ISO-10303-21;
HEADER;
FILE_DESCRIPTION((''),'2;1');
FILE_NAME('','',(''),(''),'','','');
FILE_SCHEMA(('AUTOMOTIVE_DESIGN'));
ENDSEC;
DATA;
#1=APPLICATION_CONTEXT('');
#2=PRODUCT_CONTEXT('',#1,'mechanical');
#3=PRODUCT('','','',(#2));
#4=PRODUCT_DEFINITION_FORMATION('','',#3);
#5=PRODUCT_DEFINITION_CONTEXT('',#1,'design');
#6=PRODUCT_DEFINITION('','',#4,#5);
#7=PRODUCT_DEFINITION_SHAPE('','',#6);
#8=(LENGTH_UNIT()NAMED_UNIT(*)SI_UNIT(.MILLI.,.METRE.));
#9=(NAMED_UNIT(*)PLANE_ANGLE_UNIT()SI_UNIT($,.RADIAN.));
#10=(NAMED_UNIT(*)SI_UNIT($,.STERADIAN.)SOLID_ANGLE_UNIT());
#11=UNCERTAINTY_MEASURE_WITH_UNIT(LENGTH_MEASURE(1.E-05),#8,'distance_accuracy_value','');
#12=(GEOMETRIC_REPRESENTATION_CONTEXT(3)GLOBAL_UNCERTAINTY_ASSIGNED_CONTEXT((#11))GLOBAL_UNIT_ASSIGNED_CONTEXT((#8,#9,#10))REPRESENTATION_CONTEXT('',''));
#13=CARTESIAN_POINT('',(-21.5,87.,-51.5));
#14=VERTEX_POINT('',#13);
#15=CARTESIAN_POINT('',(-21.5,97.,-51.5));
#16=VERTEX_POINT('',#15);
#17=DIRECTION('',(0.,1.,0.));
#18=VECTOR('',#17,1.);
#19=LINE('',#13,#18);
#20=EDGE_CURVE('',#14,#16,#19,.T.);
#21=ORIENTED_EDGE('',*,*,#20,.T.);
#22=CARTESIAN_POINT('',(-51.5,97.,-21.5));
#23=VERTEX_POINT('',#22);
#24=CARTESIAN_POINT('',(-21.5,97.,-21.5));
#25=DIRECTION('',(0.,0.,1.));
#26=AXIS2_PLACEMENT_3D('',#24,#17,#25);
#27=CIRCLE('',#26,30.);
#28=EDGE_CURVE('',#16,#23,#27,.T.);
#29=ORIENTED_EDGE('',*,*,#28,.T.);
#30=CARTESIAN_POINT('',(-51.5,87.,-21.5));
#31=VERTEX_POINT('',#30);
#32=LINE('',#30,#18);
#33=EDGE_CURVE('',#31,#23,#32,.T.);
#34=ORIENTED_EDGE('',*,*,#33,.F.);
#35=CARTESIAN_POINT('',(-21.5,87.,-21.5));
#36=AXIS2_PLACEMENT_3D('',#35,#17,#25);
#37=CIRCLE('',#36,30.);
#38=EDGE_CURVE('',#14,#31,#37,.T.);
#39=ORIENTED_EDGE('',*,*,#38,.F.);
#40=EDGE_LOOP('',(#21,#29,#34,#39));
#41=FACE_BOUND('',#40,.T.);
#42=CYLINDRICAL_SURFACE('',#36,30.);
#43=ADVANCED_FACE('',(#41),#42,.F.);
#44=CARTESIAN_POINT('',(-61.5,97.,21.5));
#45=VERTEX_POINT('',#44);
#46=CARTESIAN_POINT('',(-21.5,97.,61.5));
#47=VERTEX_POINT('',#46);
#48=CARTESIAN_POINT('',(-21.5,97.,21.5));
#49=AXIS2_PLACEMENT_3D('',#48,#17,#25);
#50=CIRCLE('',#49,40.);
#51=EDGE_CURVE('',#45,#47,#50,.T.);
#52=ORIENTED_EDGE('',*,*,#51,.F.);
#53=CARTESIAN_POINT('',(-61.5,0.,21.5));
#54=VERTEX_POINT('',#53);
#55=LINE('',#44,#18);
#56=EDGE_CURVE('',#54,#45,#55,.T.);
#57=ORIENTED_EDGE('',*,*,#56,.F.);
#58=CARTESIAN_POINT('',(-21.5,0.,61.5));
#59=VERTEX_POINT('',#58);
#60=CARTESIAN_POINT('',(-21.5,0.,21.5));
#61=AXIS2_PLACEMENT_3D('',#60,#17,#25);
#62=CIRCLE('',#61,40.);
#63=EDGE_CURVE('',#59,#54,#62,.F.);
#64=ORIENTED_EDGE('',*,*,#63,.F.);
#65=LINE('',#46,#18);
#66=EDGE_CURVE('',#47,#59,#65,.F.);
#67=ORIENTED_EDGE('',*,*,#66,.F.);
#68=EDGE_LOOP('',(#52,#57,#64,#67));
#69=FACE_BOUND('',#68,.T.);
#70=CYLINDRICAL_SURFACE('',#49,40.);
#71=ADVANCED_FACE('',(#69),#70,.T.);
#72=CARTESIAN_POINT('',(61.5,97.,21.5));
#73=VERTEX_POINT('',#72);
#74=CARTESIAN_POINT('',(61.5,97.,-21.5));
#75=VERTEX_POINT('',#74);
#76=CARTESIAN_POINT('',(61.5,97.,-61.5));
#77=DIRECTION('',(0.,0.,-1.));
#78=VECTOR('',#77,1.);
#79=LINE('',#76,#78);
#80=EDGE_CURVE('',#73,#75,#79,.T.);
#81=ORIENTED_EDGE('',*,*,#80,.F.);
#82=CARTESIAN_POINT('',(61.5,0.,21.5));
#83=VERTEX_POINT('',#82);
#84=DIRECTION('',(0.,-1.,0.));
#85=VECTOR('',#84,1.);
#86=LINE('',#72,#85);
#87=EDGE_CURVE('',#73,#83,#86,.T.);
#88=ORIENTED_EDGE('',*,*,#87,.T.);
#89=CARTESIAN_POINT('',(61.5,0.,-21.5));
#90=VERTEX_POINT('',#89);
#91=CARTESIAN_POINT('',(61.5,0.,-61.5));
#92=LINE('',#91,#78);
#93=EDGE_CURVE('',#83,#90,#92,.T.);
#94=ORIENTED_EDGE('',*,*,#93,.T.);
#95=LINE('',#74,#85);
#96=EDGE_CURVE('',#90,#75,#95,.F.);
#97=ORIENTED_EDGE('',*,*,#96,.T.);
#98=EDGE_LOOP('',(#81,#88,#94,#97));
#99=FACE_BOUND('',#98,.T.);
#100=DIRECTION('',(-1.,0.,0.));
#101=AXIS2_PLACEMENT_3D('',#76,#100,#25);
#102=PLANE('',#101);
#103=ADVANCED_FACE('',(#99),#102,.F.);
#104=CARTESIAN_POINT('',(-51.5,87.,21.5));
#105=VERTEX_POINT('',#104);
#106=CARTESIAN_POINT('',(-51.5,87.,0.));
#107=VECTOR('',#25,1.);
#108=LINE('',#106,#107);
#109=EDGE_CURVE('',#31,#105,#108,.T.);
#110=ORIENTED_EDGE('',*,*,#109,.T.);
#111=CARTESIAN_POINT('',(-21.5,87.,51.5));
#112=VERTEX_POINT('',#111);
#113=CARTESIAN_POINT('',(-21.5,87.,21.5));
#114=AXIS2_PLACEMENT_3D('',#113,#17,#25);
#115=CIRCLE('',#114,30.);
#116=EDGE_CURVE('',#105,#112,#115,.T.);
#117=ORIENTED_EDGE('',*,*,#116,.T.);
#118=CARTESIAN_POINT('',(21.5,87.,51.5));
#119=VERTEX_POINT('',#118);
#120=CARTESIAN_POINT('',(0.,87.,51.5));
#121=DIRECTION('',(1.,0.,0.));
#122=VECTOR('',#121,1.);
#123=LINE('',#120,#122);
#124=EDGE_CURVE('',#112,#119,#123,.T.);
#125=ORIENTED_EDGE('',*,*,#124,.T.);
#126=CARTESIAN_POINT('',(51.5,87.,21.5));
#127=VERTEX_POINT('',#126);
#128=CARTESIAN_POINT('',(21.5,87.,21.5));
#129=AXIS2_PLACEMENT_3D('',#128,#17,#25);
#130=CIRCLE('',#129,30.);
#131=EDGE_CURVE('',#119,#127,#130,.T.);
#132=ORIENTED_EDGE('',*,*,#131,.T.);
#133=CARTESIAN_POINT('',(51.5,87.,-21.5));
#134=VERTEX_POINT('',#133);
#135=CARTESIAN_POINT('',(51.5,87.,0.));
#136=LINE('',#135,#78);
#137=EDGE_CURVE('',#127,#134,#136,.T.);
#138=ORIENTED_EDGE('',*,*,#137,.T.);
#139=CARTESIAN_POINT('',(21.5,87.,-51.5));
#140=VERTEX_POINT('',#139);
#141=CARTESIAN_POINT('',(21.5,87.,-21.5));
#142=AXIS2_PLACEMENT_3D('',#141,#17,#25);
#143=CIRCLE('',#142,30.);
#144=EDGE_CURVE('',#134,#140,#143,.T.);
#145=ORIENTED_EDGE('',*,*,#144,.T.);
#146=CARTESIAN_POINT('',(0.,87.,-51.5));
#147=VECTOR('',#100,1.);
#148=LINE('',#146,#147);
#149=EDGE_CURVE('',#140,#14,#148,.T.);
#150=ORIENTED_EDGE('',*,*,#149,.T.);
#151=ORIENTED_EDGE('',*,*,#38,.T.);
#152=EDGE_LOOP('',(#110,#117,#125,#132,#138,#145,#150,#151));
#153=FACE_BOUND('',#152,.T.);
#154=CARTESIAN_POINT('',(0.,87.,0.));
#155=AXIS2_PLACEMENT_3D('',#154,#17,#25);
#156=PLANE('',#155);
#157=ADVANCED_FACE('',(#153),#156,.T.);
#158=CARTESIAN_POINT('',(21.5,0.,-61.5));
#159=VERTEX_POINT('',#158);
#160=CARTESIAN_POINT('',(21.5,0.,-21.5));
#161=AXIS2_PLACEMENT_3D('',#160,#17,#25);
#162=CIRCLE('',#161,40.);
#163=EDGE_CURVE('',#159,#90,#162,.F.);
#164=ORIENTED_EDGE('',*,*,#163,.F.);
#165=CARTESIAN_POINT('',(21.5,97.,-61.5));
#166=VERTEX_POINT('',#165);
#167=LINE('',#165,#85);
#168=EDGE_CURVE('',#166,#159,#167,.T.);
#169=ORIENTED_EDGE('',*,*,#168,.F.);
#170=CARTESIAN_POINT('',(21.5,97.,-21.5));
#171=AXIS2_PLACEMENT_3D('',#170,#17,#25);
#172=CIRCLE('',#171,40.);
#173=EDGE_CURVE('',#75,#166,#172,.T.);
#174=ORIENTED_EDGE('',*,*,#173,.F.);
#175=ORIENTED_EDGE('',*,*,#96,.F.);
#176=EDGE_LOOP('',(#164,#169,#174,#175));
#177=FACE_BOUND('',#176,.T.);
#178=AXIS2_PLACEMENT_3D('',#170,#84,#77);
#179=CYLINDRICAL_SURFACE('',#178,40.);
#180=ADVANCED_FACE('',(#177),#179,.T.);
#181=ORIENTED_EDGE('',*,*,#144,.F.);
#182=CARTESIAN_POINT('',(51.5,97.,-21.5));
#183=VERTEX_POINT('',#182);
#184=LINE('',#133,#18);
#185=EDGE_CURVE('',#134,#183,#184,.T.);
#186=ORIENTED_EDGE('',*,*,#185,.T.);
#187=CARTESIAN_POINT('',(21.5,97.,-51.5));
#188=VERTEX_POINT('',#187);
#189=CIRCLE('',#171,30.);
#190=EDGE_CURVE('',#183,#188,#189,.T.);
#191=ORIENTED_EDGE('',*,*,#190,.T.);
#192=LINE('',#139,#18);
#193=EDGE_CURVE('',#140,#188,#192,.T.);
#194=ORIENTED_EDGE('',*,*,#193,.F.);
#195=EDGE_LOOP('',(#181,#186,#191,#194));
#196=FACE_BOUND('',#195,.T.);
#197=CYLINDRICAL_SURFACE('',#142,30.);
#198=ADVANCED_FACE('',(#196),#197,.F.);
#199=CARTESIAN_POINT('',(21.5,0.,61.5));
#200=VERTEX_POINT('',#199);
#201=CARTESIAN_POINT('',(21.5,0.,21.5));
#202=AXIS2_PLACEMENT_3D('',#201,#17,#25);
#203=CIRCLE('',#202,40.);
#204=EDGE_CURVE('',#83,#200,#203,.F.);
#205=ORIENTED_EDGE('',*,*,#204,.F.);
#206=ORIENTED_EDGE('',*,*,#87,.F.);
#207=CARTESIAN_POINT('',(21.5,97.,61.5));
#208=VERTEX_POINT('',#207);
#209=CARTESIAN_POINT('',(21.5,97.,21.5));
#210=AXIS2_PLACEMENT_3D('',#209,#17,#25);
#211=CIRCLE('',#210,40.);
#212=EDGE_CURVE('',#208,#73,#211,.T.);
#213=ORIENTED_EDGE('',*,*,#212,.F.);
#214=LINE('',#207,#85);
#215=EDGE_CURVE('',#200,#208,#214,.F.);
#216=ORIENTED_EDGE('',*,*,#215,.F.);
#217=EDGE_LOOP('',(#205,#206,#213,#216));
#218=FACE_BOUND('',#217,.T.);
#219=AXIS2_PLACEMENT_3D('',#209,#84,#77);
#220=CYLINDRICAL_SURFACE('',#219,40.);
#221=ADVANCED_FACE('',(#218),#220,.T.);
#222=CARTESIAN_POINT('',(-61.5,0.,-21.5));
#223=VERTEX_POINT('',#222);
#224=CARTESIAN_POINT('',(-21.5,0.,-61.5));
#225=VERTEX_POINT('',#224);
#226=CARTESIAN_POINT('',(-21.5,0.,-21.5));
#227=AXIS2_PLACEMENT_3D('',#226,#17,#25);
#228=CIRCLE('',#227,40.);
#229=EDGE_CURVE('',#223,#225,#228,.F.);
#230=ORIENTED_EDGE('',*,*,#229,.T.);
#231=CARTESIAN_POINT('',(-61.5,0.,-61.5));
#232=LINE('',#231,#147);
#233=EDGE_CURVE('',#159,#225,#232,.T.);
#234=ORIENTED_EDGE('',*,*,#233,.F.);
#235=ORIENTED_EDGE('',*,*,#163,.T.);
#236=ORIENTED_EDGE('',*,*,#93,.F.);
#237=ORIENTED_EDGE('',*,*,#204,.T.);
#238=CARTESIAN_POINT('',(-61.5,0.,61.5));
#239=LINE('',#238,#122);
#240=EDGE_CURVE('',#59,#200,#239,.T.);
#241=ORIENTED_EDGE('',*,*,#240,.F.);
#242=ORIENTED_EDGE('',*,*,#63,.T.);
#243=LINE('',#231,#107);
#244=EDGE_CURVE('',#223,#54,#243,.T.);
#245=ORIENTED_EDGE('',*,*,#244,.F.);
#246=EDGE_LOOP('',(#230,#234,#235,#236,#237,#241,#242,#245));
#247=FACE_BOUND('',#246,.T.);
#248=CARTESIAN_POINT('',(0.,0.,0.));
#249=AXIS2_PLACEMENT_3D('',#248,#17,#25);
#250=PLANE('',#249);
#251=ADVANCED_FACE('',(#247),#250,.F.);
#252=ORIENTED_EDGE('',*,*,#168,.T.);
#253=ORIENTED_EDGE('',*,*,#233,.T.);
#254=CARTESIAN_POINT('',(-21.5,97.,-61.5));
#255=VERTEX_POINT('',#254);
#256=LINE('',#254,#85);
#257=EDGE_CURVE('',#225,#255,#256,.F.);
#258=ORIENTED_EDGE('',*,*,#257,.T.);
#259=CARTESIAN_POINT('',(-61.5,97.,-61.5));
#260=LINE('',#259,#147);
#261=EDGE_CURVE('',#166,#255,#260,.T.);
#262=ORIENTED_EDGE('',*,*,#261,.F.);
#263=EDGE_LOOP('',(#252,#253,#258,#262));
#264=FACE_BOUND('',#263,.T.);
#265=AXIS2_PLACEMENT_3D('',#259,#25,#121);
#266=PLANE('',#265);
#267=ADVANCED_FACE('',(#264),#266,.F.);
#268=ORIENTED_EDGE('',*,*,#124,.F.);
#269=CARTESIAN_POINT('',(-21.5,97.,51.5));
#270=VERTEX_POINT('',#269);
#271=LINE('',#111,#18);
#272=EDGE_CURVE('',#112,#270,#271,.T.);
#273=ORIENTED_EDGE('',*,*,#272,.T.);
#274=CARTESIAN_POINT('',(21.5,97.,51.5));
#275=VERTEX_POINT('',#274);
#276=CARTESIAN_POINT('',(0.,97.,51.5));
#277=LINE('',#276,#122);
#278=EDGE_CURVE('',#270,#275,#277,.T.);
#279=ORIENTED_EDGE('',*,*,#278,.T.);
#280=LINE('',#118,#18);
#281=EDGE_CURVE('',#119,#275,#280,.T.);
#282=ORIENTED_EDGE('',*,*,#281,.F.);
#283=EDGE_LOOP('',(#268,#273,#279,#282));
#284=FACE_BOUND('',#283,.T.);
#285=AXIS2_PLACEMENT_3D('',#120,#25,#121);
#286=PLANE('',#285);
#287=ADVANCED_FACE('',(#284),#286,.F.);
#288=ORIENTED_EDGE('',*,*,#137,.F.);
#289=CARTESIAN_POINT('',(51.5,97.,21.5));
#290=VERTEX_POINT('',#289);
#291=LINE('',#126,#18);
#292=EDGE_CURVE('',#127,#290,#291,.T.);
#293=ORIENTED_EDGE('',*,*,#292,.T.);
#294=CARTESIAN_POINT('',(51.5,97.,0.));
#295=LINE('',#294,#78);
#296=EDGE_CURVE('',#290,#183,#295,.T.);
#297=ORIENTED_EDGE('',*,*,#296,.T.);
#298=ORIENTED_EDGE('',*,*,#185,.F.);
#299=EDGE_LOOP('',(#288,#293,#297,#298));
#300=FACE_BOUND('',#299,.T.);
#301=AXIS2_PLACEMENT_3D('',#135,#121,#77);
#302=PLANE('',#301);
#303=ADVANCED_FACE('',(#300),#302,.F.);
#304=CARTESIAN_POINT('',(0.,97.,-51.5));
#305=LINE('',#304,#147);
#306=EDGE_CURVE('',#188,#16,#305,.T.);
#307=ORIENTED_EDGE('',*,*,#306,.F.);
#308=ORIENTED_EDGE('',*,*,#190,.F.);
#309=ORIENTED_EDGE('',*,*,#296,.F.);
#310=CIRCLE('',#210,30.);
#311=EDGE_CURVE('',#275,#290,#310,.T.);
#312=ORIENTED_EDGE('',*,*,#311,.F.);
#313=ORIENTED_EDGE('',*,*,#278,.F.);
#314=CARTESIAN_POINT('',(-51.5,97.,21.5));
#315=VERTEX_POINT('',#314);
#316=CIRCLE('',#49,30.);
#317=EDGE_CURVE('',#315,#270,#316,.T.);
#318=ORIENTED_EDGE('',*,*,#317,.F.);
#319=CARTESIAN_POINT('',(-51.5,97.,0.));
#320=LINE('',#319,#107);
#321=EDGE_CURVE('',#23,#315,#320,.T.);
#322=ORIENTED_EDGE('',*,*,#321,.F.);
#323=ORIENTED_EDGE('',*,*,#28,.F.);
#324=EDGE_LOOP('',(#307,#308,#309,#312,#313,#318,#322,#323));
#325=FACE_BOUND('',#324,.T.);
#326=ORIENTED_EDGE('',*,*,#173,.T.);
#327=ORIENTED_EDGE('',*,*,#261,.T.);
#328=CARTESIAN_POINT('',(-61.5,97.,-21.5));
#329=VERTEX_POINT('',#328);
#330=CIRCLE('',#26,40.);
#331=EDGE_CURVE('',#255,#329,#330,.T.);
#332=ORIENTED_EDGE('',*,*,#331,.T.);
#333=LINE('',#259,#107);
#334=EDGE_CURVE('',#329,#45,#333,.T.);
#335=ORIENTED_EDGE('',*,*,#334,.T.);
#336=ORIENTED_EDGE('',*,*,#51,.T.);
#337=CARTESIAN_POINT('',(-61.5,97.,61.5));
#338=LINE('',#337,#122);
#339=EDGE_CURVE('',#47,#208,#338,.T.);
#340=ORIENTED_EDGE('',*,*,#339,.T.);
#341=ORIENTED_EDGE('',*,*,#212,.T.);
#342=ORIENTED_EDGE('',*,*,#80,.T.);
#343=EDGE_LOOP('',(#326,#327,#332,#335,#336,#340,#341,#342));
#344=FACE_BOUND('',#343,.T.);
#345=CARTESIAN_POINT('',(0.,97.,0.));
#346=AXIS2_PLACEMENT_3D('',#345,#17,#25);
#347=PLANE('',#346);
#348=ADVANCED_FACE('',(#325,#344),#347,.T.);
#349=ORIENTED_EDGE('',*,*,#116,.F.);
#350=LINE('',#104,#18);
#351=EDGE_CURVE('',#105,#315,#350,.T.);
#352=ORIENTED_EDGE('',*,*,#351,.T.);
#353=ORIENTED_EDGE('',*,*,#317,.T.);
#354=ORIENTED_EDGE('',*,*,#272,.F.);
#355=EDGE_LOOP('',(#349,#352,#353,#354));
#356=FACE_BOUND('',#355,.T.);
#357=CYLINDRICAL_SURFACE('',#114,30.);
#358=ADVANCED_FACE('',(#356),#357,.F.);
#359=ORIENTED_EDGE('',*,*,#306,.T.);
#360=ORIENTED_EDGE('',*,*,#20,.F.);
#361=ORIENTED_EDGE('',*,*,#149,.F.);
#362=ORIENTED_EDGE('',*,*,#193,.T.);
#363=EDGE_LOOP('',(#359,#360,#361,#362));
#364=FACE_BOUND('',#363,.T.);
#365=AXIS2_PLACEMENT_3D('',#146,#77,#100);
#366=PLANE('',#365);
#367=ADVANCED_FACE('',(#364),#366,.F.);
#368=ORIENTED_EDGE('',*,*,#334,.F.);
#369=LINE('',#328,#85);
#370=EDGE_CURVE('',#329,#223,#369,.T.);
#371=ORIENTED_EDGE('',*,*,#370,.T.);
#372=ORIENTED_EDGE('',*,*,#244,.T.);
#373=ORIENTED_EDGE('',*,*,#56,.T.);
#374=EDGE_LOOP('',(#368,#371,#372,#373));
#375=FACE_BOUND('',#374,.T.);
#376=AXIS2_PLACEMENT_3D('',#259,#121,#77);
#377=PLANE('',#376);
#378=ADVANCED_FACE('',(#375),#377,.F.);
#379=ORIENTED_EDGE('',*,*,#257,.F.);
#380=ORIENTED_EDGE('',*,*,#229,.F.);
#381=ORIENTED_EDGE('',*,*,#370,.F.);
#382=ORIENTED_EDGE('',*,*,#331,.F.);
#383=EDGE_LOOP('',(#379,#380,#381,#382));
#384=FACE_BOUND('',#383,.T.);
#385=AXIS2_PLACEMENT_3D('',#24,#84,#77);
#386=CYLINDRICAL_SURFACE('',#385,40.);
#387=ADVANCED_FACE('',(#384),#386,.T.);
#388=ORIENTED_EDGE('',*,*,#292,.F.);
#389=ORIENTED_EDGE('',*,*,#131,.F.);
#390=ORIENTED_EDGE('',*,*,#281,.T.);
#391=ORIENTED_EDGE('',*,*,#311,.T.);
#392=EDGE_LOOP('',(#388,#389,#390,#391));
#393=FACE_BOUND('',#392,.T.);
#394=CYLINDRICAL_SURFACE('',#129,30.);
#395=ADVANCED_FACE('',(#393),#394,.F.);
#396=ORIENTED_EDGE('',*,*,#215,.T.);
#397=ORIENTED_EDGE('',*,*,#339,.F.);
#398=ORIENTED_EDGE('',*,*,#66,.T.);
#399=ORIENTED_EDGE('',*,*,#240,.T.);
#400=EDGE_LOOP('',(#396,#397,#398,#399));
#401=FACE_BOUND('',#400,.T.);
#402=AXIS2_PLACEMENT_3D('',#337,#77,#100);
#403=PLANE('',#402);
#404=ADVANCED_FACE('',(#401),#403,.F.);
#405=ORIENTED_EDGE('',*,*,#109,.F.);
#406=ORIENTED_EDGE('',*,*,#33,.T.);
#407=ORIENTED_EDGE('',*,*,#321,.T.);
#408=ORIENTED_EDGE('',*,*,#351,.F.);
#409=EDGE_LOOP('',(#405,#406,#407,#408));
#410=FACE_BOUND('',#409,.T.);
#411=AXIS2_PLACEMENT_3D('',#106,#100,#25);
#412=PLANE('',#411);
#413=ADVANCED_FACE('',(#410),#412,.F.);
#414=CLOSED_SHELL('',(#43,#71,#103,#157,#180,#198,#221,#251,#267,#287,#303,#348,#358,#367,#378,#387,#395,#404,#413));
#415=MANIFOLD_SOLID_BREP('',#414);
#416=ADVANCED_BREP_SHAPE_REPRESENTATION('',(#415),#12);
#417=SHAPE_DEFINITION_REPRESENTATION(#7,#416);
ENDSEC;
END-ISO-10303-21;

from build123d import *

# Parameters (mm, degrees)
SKETCH_1_W          = 123
SKETCH_1_H          = 123
EXTRUDE_1_DEPTH     = 97
FILLET_1_R          = 40
FILLET_2_R          = 40
FILLET_3_R          = 40
FILLET_4_R          = 40
CUT_EXTRUDE_1_DEPTH = 10


with BuildPart() as part:
    # 스케치1 → 보스-돌출1 (new body)
    with BuildSketch(Plane(origin=(0, 0, 0), x_dir=(1, 0, 0), z_dir=(0, 1, 0))):
        Rectangle(SKETCH_1_W, SKETCH_1_H)
    extrude(amount=EXTRUDE_1_DEPTH)

    # 필렛1
    fillet_1_edges = [part.edges().sort_by_distance(p)[0] for p in [
        (-61.5, 48.5, -61.5),
    ]]
    fillet(fillet_1_edges, radius=FILLET_1_R)

    # 필렛2
    fillet_2_edges = [part.edges().sort_by_distance(p)[0] for p in [
        (61.5, 48.5, -61.5),
    ]]
    fillet(fillet_2_edges, radius=FILLET_2_R)

    # 필렛3
    fillet_3_edges = [part.edges().sort_by_distance(p)[0] for p in [
        (61.5, 48.5, 61.5),
    ]]
    fillet(fillet_3_edges, radius=FILLET_3_R)

    # 필렛4
    fillet_4_edges = [part.edges().sort_by_distance(p)[0] for p in [
        (-61.5, 48.5, 61.5),
    ]]
    fillet(fillet_4_edges, radius=FILLET_4_R)

    # 스케치2 → 컷-돌출1 (cut)
    with BuildSketch(Plane(origin=(0, 97, 0), x_dir=(1, 0, 0), z_dir=(0, 1, 0))):
        with BuildLine():
            Line((21.5, 51.5), (-21.5, 51.5))
            ThreePointArc((-21.5, 51.5), (-42.713203436, 42.713203436), (-51.5, 21.5))
            Line((-51.5, 21.5), (-51.5, -21.5))
            ThreePointArc((-51.5, -21.5), (-42.713203436, -42.713203436), (-21.5, -51.5))
            Line((-21.5, -51.5), (21.5, -51.5))
            ThreePointArc((21.5, -51.5), (42.713203436, -42.713203436), (51.5, -21.5))
            Line((51.5, -21.5), (51.5, 21.5))
            ThreePointArc((51.5, 21.5), (42.713203436, 42.713203436), (21.5, 51.5))
        make_face()
    extrude(amount=-CUT_EXTRUDE_1_DEPTH, mode=Mode.SUBTRACT)


solid = part.part
